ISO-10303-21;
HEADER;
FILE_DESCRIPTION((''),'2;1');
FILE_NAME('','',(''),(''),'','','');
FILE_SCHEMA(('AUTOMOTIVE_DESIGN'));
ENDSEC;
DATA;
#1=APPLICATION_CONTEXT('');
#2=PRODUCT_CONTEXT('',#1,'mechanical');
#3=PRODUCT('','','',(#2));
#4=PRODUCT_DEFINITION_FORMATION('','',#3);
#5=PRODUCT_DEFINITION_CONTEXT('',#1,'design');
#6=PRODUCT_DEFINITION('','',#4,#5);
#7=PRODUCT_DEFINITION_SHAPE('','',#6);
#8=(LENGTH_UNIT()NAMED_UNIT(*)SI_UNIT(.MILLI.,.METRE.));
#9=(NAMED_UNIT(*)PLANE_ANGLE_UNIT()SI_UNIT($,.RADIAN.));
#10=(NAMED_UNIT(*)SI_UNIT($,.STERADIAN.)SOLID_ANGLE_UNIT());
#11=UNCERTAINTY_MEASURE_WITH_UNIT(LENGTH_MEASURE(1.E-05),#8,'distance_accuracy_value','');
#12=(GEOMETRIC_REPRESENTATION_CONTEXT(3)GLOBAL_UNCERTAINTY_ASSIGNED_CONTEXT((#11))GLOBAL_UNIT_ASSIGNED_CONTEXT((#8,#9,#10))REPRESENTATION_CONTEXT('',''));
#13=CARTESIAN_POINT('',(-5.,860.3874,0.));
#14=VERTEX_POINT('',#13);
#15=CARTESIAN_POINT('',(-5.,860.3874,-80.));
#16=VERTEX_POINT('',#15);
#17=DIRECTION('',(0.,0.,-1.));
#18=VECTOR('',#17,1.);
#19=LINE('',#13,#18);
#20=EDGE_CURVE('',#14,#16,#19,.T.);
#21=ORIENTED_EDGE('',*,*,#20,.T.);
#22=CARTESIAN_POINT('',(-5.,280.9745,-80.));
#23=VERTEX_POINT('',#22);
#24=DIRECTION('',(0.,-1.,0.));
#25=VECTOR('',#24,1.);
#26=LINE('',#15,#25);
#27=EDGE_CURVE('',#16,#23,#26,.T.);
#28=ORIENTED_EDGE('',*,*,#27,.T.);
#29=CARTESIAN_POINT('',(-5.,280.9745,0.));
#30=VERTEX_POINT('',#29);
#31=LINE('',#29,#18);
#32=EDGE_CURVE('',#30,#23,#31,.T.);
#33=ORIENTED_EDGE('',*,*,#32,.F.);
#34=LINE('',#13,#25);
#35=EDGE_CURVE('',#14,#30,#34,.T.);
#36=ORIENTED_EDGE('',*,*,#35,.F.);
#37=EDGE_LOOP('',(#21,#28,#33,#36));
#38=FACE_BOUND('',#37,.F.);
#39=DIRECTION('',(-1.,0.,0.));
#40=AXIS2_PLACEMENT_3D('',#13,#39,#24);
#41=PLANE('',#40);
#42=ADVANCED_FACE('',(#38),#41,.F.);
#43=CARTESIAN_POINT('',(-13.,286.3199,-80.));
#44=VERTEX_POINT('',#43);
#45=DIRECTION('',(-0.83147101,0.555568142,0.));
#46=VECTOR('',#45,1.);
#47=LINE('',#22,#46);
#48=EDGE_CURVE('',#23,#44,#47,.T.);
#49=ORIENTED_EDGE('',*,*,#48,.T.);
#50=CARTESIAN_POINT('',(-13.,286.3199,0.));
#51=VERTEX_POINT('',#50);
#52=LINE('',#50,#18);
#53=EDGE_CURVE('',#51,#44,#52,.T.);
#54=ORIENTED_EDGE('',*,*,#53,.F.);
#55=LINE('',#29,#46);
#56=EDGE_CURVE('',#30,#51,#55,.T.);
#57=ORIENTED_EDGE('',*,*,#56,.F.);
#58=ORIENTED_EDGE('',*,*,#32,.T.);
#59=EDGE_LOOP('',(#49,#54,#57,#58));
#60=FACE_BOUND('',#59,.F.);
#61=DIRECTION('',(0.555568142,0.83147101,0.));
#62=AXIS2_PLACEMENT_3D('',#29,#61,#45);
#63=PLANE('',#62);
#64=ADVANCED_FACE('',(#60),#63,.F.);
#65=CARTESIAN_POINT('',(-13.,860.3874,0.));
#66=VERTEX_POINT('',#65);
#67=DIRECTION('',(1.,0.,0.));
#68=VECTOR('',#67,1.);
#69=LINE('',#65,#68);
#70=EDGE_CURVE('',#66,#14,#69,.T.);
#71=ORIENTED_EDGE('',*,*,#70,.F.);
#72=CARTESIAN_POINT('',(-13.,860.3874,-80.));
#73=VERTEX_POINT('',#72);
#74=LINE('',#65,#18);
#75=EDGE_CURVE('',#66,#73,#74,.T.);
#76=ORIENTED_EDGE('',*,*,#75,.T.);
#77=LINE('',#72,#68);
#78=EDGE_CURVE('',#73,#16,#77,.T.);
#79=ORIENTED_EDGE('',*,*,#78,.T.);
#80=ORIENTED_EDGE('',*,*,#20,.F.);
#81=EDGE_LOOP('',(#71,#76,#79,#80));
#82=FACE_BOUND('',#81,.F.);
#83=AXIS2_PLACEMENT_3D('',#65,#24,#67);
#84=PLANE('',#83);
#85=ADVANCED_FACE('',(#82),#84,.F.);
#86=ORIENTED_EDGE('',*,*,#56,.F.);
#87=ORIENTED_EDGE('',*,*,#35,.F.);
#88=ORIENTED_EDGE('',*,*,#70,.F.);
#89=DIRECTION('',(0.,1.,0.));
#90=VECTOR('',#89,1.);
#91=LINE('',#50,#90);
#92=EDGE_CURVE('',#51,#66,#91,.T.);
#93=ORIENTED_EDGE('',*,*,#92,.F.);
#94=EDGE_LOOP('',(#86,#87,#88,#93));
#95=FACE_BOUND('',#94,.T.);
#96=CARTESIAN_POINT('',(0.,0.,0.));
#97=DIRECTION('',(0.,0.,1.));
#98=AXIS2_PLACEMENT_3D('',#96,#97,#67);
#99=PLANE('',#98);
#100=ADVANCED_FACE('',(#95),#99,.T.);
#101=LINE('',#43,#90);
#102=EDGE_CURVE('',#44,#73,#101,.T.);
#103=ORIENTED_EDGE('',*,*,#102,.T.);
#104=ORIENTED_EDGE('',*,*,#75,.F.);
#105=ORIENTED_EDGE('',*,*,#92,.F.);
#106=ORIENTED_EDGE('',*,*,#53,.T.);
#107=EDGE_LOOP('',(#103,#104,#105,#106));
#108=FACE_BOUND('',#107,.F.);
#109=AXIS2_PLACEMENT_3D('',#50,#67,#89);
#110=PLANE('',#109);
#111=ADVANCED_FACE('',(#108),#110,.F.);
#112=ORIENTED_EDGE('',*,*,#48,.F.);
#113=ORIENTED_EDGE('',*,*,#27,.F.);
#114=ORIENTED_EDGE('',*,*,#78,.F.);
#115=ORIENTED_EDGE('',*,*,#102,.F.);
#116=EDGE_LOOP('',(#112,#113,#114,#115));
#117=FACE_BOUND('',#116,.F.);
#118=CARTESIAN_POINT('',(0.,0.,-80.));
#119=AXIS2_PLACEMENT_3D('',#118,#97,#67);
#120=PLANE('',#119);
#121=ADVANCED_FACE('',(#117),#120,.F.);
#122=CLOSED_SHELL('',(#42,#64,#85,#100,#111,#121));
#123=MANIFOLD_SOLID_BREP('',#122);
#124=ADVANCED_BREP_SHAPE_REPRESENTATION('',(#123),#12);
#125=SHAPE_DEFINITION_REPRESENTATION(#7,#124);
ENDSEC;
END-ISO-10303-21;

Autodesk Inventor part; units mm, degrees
ref_plane "YZ Plane" through (0, 0, 0) normal (1, 0, 0) x (0, 1, 0)
ref_plane "XZ Plane" through (0, 0, 0) normal (0, 1, 0) x (-1, 0, 0)
ref_plane "XY Plane" through (0, 0, 0) normal (0, 0, 1) x (1, 0, 0)
sketch "Sketch1" plane through (0, 0, 0) normal (0, 0, 1) x (1, 0, 0)
  line L0 (0, 277.6336) -> (196.3166, 196.3166) construction
  line L1 (196.3166, 196.3166) -> (277.6336, 0) construction
  line L2 (277.6336, 0) -> (196.3166, -196.3166) construction
  line L3 (196.3166, -196.3166) -> (0, -277.6336) construction
  line L4 (0, -277.6336) -> (-196.3166, -196.3166) construction
  line L5 (-196.3166, -196.3166) -> (-277.6336, 0) construction
  line L6 (-277.6336, 0) -> (-196.3166, 196.3166) construction
  line L7 (-196.3166, 196.3166) -> (0, 277.6336) construction
  line L8 (-196.3166, 196.3166) -> (0, 277.6336) construction
  line L9 (-461.2666, 773.8898) -> (-221.0579, 873.3874) construction
  line L10 (-98.1583, 236.9751) -> (-341.1623, 823.6386) construction
  line L11 (-221.0579, 873.3874) -> (0, 873.3874) construction
  line L12 (0, 873.3874) -> (0, 277.6336) construction
  line L13 (-461.2666, 773.8898) -> (-617.5782, 617.5782) construction
  line L14 (-617.5782, 617.5782) -> (-196.3166, 196.3166) construction
  line L15 (-5, 280.9745) -> (-195.1434, 202.2145) construction
  line L16 (-195.1434, 202.2145) -> (-610.5071, 617.5782) construction
  line L17 (-610.5071, 617.5782) -> (-458.4343, 769.651) construction
  line L18 (-458.4343, 769.651) -> (-220.0634, 868.3874) construction
  line L19 (-220.0634, 868.3874) -> (-5, 868.3874) construction
  line L20 (-5, 868.3874) -> (-5, 280.9745) construction
  line L21 (-13, 286.3199) -> (-193.2664, 211.6511) construction
  line L22 (-193.2664, 211.6511) -> (-599.1934, 617.5782) construction
  line L23 (-599.1934, 617.5782) -> (-453.9027, 762.8689) construction
  line L24 (-453.9027, 762.8689) -> (-218.4721, 860.3874) construction
  line L25 (-218.4721, 860.3874) -> (-13, 860.3874) construction
  line L26 (-13, 860.3874) -> (-13, 286.3199) construction
  line L27 (-13, 860.3874) -> (-5, 860.3874)
  line L28 (-5, 860.3874) -> (-5, 280.9745)
  line L29 (-5, 280.9745) -> (-13, 286.3199)
  line L30 (-13, 286.3199) -> (-13, 860.3874)
  point P0 (0, 0)
  point P1 (0, 0)
  point P2 (0, 0)
  dimension "d0" = 513
  dimension "d1" = 260
  dimension "d2" = 635
  dimension "d10" = 5
  dimension "d11" = 8
extrude "Extrusion1" add sketch "Sketch1" against normal blind 80
equation "\"d0\" = Барабан_габарит_по_кассетам"
equation "\"d1\" = Кассета_длина_грани"
equation "\"d2\" = Кассета_высота"
equation "\"Барабан_габарит_по_кассетам\" = 513"
equation "\"Кассета_длина_грани\" = 260"
equation "\"Кассета_высота\" = 635"
properties part number "ДМФ 01 53 Боковая часть v2.0"
